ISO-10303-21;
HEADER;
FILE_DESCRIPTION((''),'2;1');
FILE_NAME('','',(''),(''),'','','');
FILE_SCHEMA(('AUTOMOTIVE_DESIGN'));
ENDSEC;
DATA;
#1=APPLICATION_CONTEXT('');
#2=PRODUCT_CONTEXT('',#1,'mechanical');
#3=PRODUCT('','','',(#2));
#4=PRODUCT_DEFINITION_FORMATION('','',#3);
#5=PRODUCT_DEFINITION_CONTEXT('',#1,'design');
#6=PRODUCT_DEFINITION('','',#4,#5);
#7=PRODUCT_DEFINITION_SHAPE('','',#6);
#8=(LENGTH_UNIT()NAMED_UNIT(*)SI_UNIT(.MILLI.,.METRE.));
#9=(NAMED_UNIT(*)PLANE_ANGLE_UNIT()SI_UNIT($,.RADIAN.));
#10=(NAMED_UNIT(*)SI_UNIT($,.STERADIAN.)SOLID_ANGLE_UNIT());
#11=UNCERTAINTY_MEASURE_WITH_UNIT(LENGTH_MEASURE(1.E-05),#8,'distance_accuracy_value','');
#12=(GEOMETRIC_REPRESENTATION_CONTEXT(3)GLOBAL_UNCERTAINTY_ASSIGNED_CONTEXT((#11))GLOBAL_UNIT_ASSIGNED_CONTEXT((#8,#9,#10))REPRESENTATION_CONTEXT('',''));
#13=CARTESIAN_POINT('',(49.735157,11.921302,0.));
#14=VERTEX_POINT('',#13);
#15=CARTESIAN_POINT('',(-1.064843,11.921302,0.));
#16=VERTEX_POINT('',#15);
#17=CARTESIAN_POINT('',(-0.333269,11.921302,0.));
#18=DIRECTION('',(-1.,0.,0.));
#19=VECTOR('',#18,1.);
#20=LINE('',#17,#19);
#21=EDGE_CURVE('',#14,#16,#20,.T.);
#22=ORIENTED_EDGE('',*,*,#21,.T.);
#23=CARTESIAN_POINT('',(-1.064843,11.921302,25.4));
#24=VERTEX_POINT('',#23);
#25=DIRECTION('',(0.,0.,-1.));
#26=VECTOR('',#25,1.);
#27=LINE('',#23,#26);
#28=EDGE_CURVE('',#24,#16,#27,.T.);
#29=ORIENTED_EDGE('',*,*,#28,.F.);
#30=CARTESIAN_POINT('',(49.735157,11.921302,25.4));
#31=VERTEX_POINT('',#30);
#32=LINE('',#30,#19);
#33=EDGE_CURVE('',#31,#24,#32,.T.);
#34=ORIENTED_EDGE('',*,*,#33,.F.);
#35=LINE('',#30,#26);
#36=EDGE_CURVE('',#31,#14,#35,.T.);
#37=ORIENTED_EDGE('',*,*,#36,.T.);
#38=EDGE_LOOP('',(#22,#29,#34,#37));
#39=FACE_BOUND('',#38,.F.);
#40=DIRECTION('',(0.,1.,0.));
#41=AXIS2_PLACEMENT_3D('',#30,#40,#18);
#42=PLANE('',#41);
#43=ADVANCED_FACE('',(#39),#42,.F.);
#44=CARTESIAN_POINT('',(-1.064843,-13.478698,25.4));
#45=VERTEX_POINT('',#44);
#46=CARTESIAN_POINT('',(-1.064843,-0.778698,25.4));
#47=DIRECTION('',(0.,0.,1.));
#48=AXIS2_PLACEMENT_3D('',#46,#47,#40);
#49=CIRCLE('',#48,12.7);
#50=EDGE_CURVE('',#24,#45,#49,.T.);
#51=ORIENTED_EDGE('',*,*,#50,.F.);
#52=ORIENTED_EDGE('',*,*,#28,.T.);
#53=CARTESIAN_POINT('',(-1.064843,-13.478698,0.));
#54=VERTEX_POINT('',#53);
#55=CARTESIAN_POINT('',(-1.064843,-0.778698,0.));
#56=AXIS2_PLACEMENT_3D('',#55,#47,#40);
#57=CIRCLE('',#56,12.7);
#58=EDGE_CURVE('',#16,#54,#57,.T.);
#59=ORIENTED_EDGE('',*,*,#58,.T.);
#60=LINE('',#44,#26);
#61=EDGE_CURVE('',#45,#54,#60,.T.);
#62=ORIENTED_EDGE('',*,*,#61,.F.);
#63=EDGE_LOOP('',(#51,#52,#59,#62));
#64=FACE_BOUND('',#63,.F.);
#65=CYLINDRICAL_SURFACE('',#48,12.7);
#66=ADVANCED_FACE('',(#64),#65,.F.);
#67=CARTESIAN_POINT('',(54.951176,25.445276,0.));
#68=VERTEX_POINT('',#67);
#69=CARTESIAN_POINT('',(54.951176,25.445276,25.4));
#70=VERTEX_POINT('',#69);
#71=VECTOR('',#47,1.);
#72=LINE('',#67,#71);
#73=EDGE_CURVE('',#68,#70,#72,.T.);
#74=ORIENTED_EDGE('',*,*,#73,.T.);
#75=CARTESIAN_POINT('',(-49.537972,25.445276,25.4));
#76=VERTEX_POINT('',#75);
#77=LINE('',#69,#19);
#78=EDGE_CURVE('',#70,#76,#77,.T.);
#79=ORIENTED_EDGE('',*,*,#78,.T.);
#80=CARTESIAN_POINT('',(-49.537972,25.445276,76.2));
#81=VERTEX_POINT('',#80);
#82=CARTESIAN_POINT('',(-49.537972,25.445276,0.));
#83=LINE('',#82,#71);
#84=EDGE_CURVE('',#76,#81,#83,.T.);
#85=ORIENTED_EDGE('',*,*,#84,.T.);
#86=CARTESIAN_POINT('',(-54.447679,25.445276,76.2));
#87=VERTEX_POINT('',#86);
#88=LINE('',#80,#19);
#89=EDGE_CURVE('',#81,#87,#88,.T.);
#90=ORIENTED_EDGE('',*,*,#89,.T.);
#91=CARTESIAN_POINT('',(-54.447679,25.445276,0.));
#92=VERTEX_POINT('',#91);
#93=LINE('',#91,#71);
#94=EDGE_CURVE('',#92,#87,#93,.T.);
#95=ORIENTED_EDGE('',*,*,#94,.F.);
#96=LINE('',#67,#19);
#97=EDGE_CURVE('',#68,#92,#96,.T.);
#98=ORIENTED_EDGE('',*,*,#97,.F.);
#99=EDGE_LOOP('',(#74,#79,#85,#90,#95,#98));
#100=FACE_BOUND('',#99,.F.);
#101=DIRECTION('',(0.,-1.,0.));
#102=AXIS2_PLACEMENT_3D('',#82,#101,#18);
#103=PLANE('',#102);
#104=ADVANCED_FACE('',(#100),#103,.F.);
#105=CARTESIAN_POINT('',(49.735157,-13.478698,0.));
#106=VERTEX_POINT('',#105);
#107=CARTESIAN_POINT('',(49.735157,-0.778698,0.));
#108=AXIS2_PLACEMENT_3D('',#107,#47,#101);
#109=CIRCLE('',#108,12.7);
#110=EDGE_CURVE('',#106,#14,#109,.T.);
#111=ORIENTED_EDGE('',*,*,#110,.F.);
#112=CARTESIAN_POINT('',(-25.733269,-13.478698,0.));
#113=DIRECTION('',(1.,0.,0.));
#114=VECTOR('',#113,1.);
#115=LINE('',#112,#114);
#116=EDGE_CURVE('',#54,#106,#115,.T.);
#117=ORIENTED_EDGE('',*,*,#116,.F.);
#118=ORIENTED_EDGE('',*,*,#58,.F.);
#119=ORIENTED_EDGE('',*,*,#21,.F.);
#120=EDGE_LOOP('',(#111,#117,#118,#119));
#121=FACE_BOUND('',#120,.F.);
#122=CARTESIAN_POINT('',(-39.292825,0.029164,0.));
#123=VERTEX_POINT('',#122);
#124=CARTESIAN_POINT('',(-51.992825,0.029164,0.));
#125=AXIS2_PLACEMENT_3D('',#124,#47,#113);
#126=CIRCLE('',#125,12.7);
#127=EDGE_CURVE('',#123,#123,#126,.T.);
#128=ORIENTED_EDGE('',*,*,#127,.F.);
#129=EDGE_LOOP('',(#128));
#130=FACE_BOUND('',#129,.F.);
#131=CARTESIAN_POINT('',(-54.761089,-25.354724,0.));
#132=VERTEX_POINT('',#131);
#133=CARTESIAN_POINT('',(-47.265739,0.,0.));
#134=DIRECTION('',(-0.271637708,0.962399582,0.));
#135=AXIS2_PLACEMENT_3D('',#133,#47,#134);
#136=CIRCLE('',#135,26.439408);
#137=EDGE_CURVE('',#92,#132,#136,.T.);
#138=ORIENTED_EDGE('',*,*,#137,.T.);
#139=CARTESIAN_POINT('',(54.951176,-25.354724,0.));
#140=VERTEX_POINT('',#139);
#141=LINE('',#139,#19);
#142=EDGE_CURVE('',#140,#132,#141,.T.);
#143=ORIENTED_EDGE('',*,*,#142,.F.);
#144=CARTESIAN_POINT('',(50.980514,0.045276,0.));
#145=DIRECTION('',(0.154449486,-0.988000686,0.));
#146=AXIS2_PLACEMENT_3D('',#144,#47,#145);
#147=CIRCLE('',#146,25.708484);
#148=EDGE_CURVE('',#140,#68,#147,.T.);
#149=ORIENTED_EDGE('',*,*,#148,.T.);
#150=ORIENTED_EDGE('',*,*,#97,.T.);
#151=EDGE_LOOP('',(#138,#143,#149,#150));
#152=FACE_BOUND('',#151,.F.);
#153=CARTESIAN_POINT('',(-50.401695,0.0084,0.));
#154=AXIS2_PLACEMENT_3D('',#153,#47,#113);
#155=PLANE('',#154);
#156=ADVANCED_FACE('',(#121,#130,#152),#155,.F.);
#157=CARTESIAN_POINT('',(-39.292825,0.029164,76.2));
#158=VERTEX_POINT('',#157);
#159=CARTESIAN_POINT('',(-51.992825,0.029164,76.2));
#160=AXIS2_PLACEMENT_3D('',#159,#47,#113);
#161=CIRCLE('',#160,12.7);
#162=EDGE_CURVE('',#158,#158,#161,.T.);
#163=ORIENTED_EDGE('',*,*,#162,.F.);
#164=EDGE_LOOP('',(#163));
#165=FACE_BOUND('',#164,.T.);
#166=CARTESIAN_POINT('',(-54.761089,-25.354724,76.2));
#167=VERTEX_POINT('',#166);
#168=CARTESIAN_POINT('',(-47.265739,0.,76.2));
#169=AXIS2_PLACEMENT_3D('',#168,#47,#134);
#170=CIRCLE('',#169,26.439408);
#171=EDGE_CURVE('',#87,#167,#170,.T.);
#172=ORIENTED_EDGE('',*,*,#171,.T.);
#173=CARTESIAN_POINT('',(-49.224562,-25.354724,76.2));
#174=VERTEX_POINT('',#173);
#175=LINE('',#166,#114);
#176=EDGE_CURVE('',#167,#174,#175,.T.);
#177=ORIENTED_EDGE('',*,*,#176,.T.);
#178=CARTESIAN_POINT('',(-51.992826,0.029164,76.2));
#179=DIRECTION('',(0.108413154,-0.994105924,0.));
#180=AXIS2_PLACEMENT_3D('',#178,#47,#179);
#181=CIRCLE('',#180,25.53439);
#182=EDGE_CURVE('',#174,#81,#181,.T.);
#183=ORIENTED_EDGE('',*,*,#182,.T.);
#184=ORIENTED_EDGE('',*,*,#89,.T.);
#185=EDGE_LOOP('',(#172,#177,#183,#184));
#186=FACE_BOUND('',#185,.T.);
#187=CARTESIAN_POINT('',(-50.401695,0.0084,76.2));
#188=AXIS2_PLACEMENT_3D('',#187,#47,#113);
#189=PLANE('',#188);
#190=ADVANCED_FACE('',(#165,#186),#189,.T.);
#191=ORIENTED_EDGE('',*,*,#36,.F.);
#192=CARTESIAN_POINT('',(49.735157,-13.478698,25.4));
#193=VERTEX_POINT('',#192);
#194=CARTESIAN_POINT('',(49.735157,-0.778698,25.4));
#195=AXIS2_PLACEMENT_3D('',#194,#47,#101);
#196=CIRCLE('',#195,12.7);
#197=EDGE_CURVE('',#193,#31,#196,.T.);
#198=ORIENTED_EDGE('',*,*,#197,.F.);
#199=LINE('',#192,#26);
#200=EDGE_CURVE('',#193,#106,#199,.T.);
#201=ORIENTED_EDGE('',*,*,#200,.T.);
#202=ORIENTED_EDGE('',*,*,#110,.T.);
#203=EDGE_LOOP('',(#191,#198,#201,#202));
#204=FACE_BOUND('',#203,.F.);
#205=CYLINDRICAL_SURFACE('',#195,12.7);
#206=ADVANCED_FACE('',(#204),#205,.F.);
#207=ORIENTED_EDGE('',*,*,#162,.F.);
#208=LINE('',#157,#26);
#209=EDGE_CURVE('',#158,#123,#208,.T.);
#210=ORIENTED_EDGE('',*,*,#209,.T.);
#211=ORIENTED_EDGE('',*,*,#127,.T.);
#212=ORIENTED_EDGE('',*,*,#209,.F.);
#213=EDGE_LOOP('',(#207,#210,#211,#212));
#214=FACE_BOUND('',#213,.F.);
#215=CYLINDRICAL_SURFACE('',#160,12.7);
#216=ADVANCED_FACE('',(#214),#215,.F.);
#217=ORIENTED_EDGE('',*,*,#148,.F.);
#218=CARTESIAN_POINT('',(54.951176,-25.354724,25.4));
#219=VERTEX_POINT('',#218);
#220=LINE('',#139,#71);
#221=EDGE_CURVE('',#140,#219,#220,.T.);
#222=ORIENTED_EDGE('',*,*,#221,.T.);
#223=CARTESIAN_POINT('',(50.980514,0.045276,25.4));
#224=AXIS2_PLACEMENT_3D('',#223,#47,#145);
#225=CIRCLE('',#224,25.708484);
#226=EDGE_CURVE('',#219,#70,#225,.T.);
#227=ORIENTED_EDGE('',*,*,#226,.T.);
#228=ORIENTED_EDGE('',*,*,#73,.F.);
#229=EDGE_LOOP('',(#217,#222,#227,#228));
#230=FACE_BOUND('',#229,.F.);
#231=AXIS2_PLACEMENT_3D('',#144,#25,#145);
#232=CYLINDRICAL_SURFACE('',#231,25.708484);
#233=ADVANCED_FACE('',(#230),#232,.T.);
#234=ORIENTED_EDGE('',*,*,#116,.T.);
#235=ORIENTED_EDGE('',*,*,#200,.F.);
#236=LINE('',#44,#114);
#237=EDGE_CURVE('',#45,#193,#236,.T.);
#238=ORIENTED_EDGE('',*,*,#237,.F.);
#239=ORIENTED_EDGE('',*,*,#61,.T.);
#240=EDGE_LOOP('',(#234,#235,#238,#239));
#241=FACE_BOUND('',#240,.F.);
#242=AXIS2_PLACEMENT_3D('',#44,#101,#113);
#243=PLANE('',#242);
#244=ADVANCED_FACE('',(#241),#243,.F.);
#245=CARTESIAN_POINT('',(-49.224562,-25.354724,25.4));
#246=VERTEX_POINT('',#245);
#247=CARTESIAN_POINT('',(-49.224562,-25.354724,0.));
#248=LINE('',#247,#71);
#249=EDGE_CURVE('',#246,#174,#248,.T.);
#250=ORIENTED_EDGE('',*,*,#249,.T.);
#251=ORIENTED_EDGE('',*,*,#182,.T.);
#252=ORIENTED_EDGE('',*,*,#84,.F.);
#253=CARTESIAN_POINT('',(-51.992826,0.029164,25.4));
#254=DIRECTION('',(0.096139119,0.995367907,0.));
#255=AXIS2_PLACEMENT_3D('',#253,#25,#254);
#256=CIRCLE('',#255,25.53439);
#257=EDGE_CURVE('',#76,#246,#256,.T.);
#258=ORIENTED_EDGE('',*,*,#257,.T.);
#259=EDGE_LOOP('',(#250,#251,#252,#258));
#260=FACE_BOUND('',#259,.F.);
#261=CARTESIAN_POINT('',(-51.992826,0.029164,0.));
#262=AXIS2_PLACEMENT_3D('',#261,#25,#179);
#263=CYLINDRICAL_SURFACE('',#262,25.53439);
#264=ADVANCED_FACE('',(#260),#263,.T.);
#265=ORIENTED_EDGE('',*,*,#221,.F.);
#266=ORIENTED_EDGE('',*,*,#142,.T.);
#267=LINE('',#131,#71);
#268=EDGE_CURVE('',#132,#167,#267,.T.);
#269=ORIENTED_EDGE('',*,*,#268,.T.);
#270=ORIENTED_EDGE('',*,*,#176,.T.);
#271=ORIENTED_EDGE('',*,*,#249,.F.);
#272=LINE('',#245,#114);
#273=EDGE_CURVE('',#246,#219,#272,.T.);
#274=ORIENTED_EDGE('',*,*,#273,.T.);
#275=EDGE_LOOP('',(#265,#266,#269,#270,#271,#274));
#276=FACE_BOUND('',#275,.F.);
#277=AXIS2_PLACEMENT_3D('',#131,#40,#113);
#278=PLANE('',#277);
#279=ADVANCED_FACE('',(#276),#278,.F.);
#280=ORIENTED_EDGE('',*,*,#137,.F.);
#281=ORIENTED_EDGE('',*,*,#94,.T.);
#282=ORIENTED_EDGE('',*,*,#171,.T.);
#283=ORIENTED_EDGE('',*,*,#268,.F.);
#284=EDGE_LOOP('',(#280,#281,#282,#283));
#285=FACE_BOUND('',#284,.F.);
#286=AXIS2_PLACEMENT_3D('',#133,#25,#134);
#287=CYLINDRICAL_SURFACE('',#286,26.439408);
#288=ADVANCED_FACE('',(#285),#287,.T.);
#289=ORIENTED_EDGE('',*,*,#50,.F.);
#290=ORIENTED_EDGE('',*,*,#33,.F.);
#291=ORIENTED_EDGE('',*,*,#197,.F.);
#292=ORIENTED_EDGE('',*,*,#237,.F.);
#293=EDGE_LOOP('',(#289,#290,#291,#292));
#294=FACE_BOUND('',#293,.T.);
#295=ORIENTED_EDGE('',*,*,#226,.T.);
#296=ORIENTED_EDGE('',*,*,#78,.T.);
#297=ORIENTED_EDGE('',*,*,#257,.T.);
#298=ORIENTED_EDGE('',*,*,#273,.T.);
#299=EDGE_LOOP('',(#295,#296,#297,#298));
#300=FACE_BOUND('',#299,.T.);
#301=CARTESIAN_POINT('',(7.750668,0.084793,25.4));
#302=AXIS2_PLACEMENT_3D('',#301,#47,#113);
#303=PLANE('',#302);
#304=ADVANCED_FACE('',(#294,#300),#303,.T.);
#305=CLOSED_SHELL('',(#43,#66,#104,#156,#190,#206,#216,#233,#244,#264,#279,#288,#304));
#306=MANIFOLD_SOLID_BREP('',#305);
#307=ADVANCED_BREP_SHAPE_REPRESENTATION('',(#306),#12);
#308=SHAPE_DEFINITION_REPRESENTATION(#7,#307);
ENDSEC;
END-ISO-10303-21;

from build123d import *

# Parameters (mm, degrees)
F1_DEPTH = 25.4
F2_DEPTH = 76.2
F3_R     = 12.7
F4_DEPTH = 76.201
F6_DEPTH = 25.401


with BuildPart() as f1:
    # F0 (on Top) → F1 (new body)
    with BuildSketch(Plane.XY):
        with BuildLine():
            Line((54.951176, 25.445276), (-49.537972, 25.445276))
            ThreePointArc((-49.537972, 25.445276), (-26.458922, 0.186695), (-49.224562, -25.354724))
            Line((-49.224562, -25.354724), (54.951176, -25.354724))
            ThreePointArc((54.951176, -25.354724), (76.688998, 0.045276), (54.951176, 25.445276))
        make_face()
    extrude(amount=F1_DEPTH)

    # F0 (on Top) → F2 (join)
    with BuildSketch(Plane.XY):
        with BuildLine():
            Line((-49.537972, 25.445276), (-54.447679, 25.445276))
            ThreePointArc((-54.447679, 25.445276), (-73.704644, 0.163115), (-54.761089, -25.354724))
            Line((-54.761089, -25.354724), (-49.224562, -25.354724))
            ThreePointArc((-49.224562, -25.354724), (-26.458922, 0.186695), (-49.537972, 25.445276))
        make_face()
    extrude(amount=F2_DEPTH)

    # F3 (on face) → F4 (cut, through all)
    with BuildSketch(Plane.XY.offset(76.2)):
        with Locations((-51.992825, 0.029164)):
            Circle(F3_R)
    extrude(amount=-F4_DEPTH, mode=Mode.SUBTRACT)

    # F5 (on face) → F6 (cut, through all)
    with BuildSketch(Plane.XY.offset(25.4)):
        with BuildLine():
            Line((49.735157, 11.921302), (-1.064843, 11.921302))
            ThreePointArc((-1.064843, 11.921302), (-13.764843, -0.778698), (-1.064843, -13.478698))
            Line((-1.064843, -13.478698), (49.735157, -13.478698))
            ThreePointArc((49.735157, -13.478698), (62.435157, -0.778698), (49.735157, 11.921302))
        make_face()
    extrude(amount=-F6_DEPTH, mode=Mode.SUBTRACT)


solid = f1.part
